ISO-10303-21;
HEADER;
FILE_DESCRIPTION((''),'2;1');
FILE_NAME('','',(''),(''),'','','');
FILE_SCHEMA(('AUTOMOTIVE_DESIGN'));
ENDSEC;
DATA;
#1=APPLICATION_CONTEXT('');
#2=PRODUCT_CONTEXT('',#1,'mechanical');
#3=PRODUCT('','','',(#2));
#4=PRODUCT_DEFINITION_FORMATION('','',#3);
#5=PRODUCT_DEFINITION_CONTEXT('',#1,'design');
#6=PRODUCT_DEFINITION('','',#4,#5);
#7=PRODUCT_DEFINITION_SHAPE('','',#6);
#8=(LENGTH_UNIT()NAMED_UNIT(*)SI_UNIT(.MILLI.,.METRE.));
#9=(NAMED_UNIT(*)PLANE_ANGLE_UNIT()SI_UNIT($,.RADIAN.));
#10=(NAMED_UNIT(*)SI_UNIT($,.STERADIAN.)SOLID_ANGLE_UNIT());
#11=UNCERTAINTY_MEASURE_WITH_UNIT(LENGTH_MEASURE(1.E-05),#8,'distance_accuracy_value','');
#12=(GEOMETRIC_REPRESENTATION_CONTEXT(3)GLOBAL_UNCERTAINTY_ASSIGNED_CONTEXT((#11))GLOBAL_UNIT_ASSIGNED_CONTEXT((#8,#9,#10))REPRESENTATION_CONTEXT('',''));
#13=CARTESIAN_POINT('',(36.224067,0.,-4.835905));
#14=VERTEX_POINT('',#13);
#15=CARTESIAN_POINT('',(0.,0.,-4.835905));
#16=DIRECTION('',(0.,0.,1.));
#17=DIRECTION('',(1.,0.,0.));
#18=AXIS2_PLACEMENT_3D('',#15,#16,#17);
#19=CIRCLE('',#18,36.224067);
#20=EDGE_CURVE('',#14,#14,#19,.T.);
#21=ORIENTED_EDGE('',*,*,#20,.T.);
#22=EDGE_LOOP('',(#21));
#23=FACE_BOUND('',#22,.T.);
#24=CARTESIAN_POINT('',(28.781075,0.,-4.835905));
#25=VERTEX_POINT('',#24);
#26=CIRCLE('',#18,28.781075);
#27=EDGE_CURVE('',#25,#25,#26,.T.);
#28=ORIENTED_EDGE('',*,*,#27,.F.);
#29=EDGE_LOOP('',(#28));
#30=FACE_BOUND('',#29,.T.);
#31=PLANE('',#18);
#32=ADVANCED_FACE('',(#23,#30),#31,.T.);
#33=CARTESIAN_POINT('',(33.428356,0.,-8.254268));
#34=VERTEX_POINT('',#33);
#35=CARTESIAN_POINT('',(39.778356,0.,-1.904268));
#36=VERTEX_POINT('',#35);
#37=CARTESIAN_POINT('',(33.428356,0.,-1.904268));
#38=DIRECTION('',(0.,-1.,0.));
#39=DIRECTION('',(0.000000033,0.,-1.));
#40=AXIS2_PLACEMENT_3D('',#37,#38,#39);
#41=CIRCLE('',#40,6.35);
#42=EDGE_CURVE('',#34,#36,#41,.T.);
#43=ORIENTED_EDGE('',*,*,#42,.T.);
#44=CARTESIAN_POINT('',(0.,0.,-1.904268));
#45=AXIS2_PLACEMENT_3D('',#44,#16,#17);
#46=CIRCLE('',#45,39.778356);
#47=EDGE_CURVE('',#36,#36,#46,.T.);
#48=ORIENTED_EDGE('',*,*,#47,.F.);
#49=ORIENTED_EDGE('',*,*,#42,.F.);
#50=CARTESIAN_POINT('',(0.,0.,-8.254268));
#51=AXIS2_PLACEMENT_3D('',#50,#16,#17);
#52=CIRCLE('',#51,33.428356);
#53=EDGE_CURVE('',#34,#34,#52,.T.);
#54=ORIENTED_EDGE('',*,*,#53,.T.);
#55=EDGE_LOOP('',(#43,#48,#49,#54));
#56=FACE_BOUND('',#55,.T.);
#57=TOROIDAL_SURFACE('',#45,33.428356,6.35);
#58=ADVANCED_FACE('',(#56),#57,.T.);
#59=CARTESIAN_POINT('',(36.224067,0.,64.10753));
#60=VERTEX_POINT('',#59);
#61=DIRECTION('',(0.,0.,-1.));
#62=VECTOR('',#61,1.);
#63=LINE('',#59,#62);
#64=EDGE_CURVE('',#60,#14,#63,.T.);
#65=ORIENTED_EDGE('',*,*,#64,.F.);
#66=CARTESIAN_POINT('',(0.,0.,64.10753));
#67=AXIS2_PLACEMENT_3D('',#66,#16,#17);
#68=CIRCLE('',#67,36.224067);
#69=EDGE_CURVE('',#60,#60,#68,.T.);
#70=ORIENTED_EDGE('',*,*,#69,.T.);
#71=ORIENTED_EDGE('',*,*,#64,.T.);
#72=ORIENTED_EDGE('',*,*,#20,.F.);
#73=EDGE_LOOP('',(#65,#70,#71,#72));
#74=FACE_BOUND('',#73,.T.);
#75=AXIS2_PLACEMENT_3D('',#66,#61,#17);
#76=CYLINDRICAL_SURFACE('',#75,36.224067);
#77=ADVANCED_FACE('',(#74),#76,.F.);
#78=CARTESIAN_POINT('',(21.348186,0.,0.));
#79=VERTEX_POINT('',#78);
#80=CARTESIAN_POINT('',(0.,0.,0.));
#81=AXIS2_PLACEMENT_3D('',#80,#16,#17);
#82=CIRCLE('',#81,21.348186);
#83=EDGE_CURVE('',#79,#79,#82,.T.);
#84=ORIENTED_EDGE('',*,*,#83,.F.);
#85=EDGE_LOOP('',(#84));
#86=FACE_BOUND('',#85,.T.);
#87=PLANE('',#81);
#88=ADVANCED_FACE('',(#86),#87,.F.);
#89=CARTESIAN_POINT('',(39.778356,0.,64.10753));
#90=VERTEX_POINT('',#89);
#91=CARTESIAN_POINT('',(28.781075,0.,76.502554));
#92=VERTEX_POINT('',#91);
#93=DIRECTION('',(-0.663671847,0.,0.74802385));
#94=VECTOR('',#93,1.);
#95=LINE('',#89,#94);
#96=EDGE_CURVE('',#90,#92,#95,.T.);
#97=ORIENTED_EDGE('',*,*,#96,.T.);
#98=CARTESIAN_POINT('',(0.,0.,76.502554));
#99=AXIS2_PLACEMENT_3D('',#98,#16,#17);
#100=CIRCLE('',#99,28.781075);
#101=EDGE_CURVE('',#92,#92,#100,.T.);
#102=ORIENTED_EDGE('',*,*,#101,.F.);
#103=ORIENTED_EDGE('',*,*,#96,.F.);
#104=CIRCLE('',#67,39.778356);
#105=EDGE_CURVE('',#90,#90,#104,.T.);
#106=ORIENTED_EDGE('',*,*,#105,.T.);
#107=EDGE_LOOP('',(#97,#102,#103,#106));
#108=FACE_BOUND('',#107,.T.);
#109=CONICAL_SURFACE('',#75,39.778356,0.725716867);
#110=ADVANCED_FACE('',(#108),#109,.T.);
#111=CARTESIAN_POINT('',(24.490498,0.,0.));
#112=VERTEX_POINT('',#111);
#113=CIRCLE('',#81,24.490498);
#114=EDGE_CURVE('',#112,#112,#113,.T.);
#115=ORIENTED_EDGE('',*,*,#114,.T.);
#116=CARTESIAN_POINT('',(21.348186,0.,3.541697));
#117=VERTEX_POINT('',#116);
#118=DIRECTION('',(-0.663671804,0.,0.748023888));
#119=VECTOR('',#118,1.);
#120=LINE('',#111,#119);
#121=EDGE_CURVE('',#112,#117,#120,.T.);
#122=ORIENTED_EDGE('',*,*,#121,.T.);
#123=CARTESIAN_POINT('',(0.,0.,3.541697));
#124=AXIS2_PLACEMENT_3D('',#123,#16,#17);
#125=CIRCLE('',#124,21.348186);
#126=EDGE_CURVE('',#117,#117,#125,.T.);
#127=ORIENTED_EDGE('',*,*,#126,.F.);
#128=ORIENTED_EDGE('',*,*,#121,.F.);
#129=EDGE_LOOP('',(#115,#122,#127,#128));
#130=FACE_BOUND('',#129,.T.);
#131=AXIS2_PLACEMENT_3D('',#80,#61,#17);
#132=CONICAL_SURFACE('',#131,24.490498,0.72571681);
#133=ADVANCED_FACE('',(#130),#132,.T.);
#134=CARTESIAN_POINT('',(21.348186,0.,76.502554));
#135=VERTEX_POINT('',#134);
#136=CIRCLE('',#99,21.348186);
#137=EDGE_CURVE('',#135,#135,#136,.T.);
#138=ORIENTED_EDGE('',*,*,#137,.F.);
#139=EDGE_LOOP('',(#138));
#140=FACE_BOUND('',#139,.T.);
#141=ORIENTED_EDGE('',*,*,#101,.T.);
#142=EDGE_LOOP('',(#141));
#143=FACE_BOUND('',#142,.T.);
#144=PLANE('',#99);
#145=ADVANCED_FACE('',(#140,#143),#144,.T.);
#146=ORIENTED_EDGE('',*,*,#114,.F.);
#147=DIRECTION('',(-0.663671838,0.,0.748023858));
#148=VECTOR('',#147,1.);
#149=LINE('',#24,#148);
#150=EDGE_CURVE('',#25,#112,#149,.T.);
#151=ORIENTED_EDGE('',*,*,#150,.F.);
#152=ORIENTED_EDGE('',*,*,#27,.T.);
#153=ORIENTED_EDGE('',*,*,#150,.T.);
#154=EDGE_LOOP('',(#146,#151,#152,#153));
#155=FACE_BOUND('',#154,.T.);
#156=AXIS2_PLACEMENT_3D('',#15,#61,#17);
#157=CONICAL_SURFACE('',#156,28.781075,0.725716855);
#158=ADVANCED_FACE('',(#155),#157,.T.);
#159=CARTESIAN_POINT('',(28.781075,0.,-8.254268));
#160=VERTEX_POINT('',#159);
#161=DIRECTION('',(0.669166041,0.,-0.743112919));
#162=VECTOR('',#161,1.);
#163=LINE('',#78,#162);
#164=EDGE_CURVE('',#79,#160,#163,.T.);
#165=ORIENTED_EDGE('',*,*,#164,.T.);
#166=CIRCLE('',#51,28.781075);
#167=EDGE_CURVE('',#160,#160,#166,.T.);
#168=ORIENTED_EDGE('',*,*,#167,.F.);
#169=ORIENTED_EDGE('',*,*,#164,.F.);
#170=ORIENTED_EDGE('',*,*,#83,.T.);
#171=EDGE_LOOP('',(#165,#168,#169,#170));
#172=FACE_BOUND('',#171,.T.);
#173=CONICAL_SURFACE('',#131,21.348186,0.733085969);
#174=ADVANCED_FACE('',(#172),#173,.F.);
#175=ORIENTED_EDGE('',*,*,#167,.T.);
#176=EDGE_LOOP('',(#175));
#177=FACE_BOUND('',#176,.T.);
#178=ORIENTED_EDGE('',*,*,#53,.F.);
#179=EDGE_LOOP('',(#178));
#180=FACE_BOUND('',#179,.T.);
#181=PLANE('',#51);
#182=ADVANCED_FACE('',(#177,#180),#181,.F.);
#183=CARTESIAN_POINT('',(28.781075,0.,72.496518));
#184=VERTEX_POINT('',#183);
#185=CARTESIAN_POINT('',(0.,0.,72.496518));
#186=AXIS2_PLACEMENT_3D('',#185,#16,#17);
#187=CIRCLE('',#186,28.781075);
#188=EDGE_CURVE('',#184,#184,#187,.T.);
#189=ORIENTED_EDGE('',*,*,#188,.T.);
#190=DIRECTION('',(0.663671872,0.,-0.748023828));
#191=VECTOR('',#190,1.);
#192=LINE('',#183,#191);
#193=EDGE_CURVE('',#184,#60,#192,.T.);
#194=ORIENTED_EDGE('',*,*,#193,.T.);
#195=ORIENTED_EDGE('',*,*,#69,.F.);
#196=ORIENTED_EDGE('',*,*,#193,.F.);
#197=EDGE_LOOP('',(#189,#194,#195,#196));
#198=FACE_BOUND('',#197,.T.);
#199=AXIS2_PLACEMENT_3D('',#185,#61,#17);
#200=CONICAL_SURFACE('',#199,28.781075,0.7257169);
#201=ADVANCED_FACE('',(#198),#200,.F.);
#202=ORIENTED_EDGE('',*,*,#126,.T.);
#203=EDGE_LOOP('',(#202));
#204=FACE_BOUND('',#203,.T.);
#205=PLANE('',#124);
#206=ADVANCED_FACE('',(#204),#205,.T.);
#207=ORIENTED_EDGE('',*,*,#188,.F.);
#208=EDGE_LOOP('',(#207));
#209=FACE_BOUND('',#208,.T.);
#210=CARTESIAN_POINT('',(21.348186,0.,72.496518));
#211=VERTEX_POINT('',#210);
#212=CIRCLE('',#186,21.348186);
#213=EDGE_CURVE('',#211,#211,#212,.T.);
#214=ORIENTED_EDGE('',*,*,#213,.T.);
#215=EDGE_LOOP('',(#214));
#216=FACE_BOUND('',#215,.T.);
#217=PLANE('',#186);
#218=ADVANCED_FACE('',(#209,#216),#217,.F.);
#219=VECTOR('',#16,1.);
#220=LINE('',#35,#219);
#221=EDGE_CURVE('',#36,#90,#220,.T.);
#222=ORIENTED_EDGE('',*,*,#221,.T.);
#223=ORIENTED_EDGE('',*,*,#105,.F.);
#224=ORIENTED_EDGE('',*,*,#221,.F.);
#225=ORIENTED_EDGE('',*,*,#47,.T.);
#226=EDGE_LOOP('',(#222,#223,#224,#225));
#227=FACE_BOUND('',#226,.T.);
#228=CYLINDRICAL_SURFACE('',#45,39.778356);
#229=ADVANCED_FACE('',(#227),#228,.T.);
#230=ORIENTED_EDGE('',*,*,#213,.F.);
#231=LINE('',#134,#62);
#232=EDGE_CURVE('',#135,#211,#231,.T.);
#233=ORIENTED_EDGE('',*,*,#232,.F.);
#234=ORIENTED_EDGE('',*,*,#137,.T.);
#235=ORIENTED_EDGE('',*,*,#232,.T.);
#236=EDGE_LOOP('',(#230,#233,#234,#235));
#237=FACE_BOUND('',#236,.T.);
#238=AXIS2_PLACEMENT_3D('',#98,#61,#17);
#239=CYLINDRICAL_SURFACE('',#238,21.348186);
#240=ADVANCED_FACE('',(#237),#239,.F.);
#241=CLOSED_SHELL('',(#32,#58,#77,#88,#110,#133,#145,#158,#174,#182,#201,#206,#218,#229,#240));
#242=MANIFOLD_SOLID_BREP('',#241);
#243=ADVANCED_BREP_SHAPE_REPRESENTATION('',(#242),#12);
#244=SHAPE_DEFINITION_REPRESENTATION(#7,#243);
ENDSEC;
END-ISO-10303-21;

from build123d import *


with BuildPart() as f1:
    # F0 (on Front) → F1 (revolve)
    with BuildSketch(Plane.XZ):
        with BuildLine():
            Line((0, 3.541697), (0, 0))
            Line((0, 0), (21.348186, 0))
            Line((21.348186, 0), (28.781075, -8.254268))
            Line((28.781075, -8.254268), (33.428356, -8.254268))
            ThreePointArc((33.428356, -8.254268), (37.918484, -6.394396), (39.778356, -1.904268))
            Line((39.778356, -1.904268), (39.778356, 64.10753))
            Line((39.778356, 64.10753), (28.781075, 76.502554))
            Line((28.781075, 76.502554), (21.348186, 76.502554))
            Line((21.348186, 76.502554), (21.348186, 72.496518))
            Line((21.348186, 72.496518), (28.781075, 72.496518))
            Line((28.781075, 72.496518), (36.224067, 64.10753))
            Line((36.224067, 64.10753), (36.224067, -4.835905))
            Line((36.224067, -4.835905), (28.781075, -4.835905))
            Line((28.781075, -4.835905), (24.490498, 0))
            Line((24.490498, 0), (21.348186, 3.541697))
            Line((21.348186, 3.541697), (0, 3.541697))
        make_face()
    revolve(axis=Axis((0, 0, 34.186214), (0, 0, 1)))


solid = f1.part
